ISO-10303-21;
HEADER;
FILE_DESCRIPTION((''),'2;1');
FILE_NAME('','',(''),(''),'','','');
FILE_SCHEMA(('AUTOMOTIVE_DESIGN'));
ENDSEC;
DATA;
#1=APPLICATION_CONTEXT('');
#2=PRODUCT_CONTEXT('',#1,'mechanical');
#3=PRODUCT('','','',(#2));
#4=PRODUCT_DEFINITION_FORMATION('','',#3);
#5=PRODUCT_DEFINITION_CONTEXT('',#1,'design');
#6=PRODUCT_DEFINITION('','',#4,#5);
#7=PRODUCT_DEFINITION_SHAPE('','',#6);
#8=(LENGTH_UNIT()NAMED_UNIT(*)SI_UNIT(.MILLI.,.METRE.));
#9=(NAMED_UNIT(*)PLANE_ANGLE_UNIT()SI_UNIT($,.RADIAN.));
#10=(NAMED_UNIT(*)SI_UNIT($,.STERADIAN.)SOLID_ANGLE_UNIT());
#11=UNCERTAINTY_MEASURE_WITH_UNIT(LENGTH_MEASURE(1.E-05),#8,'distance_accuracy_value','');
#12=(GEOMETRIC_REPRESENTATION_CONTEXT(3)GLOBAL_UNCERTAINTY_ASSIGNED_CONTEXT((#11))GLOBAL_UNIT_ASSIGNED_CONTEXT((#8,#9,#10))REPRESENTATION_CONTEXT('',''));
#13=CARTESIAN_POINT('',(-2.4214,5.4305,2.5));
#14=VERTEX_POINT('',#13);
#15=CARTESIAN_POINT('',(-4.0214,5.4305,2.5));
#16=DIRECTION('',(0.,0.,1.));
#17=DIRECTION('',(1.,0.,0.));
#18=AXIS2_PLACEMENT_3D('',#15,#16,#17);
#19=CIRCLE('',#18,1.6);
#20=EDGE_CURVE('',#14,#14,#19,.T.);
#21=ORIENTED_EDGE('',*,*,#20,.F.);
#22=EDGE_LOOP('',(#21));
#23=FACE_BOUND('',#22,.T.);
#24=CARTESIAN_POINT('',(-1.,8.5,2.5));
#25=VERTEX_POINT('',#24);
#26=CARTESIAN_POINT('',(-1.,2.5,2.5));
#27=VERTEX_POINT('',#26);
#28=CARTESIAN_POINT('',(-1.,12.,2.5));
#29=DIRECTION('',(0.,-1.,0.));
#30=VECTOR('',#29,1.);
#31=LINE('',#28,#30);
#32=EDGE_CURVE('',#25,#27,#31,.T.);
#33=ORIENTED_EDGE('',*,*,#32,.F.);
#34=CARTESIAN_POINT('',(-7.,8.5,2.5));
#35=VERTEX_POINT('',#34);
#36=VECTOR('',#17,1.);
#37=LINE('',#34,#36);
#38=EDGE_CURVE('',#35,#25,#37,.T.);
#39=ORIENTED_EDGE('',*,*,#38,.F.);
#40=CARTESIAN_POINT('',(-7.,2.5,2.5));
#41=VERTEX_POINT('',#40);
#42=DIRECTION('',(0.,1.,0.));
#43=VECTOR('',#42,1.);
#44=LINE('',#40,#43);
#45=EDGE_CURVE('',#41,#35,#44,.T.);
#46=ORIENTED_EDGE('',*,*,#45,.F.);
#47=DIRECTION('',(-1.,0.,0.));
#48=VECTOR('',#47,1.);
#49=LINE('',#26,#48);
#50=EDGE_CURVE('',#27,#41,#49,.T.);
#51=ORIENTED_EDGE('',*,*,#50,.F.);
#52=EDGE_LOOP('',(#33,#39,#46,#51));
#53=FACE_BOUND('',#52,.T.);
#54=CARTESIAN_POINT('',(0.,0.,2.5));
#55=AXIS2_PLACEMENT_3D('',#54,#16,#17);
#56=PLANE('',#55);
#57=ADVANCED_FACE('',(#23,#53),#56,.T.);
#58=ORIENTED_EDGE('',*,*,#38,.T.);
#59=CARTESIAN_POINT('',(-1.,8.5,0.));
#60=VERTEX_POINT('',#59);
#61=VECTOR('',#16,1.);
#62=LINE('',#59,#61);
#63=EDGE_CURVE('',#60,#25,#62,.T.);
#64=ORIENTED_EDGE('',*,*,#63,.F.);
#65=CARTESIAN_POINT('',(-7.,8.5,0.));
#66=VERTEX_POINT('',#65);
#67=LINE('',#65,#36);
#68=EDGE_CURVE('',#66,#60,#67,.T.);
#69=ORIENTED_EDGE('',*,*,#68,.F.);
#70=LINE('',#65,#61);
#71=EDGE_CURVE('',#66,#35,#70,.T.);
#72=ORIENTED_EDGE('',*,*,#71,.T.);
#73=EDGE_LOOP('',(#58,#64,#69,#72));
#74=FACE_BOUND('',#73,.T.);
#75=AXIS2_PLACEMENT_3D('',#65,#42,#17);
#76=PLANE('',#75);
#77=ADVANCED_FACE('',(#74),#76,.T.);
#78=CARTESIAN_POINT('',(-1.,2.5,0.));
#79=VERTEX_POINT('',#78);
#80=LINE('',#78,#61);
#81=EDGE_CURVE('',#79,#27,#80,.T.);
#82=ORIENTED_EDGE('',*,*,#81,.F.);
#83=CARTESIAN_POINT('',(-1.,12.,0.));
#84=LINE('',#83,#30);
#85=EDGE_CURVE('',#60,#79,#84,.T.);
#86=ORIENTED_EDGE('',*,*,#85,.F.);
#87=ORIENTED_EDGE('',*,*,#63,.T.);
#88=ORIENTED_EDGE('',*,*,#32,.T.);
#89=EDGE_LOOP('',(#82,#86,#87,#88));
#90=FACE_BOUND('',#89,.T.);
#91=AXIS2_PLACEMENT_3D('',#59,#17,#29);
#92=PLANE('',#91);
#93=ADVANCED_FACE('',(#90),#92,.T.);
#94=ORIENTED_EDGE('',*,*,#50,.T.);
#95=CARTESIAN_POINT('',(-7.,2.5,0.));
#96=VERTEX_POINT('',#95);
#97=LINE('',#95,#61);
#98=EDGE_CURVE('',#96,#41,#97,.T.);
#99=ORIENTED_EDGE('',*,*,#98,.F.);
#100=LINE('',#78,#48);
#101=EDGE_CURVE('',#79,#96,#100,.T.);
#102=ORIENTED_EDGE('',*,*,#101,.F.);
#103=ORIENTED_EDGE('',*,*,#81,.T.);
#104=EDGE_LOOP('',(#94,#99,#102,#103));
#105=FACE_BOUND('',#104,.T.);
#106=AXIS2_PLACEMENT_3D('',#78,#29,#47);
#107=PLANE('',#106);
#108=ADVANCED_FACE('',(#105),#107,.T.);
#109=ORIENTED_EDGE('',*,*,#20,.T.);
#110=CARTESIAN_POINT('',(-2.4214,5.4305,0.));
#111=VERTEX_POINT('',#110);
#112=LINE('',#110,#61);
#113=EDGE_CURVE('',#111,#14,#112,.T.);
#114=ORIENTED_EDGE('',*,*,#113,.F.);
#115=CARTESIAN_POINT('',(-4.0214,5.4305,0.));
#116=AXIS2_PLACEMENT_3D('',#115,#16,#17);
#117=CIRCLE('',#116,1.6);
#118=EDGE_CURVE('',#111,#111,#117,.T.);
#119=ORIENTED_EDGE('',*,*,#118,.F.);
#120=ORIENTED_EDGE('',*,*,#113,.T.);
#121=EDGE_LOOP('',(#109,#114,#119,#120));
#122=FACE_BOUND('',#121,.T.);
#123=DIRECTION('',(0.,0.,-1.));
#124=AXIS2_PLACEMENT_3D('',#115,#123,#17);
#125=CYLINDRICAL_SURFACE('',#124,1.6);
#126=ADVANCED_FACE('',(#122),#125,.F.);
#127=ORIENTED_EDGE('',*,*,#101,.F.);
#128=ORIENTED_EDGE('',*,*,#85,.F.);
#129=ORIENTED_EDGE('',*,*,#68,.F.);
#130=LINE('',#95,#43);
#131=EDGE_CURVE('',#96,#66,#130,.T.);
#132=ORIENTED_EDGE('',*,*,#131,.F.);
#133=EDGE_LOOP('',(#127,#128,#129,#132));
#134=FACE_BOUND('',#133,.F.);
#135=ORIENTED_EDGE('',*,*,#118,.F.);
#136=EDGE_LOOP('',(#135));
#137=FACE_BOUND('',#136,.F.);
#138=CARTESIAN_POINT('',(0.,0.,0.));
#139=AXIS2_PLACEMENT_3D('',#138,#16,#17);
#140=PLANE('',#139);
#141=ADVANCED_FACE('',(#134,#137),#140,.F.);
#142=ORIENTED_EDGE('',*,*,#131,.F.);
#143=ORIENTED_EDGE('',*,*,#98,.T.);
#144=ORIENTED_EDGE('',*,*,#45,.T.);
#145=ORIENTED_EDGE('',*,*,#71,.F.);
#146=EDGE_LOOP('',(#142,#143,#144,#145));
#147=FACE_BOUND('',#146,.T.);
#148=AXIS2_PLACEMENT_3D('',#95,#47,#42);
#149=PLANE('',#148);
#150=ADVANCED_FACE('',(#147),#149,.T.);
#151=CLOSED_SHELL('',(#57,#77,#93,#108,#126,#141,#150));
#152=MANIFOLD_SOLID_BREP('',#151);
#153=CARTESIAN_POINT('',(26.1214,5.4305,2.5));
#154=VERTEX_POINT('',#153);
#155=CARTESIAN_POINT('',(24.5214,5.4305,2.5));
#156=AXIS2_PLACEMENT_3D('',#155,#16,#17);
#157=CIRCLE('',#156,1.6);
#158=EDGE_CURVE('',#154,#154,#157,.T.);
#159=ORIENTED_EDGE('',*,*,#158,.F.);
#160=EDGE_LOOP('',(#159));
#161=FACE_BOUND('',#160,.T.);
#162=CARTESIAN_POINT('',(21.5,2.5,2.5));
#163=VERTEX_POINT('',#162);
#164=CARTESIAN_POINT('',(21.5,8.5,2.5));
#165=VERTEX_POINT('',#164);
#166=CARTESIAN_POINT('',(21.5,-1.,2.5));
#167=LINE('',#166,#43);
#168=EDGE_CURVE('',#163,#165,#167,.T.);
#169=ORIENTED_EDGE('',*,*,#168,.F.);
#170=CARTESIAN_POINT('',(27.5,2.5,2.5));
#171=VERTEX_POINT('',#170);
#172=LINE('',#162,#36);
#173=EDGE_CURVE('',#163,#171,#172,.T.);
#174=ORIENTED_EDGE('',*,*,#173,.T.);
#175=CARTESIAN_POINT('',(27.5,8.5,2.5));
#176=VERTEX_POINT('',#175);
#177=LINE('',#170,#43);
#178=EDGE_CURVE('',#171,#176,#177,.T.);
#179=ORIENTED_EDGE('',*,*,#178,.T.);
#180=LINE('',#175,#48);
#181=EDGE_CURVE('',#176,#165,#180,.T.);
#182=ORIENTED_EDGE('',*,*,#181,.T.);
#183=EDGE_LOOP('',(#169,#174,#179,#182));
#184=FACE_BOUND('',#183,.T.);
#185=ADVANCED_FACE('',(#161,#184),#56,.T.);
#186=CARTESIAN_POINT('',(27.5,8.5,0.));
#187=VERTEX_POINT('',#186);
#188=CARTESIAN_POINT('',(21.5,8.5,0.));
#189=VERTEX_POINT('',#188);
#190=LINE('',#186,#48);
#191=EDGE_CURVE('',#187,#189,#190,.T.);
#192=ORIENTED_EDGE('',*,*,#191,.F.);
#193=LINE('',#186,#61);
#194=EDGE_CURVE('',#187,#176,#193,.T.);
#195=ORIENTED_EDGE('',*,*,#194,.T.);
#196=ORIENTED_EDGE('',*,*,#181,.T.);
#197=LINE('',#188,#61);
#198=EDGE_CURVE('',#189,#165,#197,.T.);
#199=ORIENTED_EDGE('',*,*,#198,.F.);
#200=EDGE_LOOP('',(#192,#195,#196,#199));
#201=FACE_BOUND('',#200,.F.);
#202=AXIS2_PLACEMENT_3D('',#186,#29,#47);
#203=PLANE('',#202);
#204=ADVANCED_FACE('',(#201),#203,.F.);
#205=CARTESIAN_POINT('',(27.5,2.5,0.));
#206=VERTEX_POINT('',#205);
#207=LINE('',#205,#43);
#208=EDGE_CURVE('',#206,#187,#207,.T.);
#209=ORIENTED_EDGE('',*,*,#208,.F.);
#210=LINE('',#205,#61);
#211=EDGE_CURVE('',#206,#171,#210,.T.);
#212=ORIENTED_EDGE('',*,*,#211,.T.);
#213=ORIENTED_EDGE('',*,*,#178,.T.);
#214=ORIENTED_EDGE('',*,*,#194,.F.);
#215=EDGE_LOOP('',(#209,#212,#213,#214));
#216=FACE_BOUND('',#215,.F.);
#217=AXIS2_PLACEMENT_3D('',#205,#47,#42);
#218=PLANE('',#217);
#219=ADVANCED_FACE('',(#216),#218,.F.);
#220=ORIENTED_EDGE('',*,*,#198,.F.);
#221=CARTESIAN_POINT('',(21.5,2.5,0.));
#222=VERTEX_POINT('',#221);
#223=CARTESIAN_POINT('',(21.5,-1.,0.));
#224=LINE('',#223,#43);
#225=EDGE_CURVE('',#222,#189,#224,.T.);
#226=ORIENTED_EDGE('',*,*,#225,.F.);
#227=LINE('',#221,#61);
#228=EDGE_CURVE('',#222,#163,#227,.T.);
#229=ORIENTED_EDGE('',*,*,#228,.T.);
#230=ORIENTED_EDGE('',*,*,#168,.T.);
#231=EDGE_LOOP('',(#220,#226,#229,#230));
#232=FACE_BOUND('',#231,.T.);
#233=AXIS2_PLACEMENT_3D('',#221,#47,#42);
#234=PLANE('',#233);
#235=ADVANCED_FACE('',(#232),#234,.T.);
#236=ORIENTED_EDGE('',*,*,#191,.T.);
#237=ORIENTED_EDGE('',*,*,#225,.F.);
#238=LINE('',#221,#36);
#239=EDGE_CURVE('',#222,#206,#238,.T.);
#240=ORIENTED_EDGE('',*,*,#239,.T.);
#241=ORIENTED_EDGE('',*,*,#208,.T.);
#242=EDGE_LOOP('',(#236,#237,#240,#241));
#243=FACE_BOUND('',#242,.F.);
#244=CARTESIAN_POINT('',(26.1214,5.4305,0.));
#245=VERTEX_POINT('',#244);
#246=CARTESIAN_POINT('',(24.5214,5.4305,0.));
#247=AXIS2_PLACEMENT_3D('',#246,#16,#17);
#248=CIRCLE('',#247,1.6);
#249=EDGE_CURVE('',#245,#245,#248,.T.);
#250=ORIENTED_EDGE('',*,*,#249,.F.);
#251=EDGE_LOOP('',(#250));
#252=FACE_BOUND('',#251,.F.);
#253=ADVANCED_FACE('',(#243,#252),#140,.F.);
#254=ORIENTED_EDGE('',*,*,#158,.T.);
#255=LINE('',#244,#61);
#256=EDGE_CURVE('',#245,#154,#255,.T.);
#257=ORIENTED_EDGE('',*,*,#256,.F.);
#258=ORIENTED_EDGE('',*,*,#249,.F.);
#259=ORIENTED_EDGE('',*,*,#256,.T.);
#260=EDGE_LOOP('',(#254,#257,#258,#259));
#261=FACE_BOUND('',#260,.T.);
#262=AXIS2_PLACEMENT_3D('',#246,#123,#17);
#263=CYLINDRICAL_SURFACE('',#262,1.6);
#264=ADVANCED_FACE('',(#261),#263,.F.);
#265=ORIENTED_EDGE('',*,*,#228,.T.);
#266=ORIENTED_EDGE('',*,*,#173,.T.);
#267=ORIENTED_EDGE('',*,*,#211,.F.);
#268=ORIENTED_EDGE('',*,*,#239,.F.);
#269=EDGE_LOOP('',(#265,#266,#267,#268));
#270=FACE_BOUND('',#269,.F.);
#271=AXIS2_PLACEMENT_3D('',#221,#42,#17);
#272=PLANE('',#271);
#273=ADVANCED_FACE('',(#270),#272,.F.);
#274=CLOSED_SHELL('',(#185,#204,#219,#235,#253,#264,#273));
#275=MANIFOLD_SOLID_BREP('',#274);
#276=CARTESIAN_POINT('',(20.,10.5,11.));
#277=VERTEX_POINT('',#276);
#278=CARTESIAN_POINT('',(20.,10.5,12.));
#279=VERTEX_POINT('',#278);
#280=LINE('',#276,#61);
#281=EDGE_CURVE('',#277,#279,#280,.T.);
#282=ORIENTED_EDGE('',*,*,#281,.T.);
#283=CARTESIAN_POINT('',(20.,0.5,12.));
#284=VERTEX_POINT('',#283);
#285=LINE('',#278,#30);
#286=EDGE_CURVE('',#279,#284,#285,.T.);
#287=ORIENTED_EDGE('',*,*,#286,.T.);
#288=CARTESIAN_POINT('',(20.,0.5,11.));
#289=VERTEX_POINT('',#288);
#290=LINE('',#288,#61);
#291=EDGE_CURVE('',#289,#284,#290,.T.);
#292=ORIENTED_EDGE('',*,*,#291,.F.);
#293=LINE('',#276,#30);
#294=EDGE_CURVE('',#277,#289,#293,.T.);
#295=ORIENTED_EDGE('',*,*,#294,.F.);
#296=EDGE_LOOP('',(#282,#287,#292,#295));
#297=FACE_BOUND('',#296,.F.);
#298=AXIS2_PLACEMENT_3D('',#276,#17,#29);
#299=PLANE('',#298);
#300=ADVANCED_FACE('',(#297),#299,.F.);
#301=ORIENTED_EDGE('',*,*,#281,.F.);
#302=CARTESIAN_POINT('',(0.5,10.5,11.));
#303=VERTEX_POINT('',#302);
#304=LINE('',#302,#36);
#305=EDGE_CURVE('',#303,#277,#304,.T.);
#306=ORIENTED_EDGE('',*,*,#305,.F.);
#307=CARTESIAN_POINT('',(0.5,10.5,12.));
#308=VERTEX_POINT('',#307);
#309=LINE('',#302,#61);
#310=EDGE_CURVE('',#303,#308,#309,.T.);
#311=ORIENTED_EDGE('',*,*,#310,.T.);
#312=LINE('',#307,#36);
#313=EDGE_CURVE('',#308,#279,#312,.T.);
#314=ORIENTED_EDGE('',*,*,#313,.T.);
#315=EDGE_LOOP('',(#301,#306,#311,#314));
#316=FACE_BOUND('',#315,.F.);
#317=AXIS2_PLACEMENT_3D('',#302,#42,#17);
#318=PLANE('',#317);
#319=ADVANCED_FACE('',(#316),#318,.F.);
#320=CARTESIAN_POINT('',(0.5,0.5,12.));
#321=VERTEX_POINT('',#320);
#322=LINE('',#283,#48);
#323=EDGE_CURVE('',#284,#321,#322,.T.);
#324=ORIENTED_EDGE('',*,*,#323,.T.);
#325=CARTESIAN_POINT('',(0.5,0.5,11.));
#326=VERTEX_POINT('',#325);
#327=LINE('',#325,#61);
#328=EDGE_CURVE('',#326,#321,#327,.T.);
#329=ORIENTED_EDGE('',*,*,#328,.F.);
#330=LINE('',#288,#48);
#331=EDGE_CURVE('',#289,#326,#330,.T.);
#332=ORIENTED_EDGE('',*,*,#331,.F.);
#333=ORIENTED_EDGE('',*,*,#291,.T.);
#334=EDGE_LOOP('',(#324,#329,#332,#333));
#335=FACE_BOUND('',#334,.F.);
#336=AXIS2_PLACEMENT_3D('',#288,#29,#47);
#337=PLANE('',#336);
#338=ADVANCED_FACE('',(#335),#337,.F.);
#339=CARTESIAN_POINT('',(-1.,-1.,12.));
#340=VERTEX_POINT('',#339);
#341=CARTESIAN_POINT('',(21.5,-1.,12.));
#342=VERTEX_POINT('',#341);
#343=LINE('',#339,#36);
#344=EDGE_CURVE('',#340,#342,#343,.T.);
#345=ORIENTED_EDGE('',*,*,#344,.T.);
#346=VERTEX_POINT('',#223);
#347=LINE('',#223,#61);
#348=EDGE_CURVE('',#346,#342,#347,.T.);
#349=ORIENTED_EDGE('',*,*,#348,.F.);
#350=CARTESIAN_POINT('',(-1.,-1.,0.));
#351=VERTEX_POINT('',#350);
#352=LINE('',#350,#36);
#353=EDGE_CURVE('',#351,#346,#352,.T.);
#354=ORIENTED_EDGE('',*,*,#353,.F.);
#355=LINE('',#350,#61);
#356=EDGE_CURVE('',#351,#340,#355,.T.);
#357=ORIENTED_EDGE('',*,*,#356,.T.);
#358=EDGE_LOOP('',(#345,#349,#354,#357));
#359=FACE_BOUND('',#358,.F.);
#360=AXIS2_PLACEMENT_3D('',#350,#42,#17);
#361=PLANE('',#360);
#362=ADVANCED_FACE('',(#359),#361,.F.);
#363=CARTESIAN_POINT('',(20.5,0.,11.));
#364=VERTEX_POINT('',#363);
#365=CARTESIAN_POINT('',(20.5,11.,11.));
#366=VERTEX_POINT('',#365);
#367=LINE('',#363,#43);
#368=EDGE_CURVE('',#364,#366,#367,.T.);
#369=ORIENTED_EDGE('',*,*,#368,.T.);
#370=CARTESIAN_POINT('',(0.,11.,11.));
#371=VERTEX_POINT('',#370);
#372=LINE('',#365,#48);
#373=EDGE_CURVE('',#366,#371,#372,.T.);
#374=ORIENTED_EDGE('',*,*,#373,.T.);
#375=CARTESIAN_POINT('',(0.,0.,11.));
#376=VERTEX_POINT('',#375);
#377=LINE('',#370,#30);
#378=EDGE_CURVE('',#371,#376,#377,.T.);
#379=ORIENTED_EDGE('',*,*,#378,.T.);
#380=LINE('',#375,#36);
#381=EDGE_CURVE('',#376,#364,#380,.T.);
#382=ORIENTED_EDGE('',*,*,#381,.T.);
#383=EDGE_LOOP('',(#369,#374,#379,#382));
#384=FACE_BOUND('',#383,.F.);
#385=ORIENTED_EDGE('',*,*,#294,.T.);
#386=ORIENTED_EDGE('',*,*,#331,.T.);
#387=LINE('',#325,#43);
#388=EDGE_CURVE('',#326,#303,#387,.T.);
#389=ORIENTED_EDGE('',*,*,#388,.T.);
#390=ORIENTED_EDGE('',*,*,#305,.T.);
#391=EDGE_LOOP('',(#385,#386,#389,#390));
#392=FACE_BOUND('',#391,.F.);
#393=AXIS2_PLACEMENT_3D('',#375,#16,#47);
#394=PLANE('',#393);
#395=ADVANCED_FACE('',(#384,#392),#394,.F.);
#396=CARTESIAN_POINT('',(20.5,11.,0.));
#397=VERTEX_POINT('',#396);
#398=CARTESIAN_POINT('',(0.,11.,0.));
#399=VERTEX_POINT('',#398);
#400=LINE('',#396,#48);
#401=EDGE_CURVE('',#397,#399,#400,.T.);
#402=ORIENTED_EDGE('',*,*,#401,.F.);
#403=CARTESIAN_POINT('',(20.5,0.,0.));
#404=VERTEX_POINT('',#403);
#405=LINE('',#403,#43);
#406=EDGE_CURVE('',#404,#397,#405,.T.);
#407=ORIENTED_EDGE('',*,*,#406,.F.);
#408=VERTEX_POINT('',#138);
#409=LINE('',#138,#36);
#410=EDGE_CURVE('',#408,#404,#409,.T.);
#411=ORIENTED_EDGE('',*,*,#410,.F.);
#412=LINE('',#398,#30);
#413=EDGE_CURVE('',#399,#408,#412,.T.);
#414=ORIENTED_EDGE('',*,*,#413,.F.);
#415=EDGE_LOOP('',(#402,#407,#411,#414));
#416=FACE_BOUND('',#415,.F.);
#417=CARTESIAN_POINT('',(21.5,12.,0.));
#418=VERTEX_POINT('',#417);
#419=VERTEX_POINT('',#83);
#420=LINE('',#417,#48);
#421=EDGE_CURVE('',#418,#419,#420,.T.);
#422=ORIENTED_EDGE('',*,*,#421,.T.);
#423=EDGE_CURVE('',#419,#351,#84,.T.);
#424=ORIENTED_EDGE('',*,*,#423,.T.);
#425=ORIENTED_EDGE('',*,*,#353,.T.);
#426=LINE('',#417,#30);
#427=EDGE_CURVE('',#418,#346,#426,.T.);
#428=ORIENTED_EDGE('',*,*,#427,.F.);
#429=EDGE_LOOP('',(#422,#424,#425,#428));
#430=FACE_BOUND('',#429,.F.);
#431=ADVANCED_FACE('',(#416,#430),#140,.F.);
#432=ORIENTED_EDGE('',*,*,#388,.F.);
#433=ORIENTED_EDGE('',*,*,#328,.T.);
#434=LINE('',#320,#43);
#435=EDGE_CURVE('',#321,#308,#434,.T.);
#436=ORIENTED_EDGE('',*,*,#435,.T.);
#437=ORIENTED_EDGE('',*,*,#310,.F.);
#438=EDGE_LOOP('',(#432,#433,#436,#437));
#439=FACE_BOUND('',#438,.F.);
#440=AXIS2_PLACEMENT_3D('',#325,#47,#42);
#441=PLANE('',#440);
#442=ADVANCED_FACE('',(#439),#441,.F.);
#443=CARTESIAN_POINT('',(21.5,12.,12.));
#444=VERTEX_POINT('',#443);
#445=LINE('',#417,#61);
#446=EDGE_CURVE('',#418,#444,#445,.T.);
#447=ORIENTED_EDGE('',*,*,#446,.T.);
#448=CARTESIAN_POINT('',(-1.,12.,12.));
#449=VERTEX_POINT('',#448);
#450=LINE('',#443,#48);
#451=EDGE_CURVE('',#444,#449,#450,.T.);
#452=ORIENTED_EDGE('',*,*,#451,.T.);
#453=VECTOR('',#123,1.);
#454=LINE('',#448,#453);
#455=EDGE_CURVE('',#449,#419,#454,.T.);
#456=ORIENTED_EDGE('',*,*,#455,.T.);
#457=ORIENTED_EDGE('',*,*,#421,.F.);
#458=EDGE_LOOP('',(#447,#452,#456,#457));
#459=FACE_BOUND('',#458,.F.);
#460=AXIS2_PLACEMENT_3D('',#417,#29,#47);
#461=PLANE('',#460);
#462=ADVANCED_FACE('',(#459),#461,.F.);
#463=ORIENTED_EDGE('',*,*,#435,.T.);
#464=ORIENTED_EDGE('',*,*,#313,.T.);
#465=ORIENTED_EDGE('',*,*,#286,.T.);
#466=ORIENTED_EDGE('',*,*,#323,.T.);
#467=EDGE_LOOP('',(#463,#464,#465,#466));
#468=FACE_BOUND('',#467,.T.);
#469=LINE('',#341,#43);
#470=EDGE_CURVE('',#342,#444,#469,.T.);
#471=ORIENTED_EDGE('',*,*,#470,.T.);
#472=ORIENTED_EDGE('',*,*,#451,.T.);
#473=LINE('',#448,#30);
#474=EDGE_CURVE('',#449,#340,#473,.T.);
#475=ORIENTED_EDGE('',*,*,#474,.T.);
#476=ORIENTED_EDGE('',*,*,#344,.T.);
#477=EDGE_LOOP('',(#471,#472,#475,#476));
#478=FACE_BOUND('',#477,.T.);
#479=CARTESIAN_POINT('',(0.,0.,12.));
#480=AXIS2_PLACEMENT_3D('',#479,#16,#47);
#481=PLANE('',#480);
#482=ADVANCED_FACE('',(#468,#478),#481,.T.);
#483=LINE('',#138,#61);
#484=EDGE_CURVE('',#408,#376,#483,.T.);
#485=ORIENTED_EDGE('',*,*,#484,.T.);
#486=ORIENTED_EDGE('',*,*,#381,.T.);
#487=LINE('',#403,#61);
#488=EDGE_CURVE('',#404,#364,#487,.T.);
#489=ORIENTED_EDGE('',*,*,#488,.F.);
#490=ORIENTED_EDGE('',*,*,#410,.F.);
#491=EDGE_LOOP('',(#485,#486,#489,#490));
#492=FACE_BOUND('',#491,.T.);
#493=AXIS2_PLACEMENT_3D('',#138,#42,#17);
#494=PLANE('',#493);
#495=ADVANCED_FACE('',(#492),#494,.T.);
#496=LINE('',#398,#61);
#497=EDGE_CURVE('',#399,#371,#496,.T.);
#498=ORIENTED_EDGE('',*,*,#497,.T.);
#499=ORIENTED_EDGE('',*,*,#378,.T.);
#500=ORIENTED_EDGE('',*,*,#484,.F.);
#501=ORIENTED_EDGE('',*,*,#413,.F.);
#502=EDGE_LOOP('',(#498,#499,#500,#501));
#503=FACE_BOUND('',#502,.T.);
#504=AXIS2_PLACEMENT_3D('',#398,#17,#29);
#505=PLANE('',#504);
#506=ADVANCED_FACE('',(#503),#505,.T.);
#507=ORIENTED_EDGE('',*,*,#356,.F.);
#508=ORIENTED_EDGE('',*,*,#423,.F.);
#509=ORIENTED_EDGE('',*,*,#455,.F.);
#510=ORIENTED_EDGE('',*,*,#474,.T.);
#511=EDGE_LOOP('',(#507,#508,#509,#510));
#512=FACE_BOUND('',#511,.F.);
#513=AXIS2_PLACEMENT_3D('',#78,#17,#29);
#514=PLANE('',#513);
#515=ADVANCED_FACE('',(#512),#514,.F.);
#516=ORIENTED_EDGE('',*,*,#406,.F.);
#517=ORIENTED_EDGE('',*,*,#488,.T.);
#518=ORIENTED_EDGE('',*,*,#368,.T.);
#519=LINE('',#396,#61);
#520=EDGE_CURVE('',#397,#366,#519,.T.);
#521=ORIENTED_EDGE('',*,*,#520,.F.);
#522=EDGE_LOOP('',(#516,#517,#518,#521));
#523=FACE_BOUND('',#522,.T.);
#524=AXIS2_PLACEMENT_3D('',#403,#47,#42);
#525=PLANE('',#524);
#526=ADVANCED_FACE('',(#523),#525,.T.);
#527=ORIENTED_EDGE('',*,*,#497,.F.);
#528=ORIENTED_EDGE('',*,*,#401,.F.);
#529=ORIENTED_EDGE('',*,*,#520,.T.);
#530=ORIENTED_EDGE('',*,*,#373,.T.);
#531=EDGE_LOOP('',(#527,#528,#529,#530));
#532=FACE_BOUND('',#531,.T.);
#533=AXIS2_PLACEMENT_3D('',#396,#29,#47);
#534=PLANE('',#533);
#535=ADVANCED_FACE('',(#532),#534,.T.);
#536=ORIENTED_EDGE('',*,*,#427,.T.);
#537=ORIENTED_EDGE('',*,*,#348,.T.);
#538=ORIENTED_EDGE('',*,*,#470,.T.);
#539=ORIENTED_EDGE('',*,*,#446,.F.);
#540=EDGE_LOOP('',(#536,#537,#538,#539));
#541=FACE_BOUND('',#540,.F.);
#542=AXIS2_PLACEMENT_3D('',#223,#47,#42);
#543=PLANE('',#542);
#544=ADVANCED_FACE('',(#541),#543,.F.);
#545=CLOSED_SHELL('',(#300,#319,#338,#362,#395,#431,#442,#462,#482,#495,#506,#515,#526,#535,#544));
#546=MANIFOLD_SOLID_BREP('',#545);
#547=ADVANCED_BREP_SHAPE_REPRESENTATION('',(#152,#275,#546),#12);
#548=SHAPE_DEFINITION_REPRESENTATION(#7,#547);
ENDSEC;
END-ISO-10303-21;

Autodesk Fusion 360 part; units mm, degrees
sketch "Sketch2" plane through (0, 0, 0) normal (0, 0, 1) x (1, 0, 0)
  line L0 (0, 0) -> (20.5, 0)
  line L1 (20.5, 0) -> (20.5, 11)
  line L2 (20.5, 11) -> (0, 11)
  line L3 (0, 11) -> (0, 0)
  line L4 (-1, -1) -> (21.5, -1)
  line L5 (21.5, -1) -> (21.5, 12)
  line L6 (21.5, 12) -> (-1, 12)
  line L7 (-1, 12) -> (-1, -1)
  line L8 (-1, 5.5) -> (21.5, 5.5) construction
  line L9 (-1, 2.5) -> (-7, 2.5)
  line L10 (-7, 2.5) -> (-7, 8.5)
  line L11 (-7, 8.5) -> (-1, 8.5)
  line L12 (-1, 8.5) -> (-1, 2.5)
  line L13 (10.25, 12) -> (10.25, -1) construction
  circle A0 centre (-4.0214, 5.4305) radius 1.6
  circle A1 centre (24.5214, 5.4305) radius 1.6
  line L14 (27.5, 8.5) -> (21.5, 8.5)
  line L15 (27.5, 2.5) -> (27.5, 8.5)
  line L16 (21.5, 2.5) -> (27.5, 2.5)
  dimension "d1" = 20.5
  dimension "d2" = 11
  dimension "d3" = 1
  dimension "d9" = 3.2
  dimension "d10" = 6
  dimension "d11" = 6
extrude "Extrude3" add sketch "Sketch2" along normal blind 2.5 contours L7 L9 L10 L11 L12 | L5 L14 L15 L16 makes body 1 at (-4.047, 8.0087, 0) makes body 2 at (24.4673, 8.0087, 0)
extrude "Extrude1" add sketch "Sketch2" along normal blind 11 separate body contours L4 L5 L6 L7 L12 makes body 3
sketch "Sketch3" plane through (0, 0, 11) normal (0, 0, 1) x (-1, 0, 0)
  line L0 (0, 0) -> (0, -11)
  line L1 (0, -11) -> (-20.5, -11)
  line L2 (-20.5, -11) -> (-20.5, 0)
  line L3 (-20.5, 0) -> (0, 0)
  line L4 (1, -12) -> (1, 1)
  line L5 (1, 1) -> (-21.5, 1)
  line L6 (-21.5, 1) -> (-21.5, -12)
  line L7 (-21.5, -12) -> (1, -12)
  line L8 (-20, -0.5) -> (-0.5, -0.5)
  line L9 (-0.5, -0.5) -> (-0.5, -10.5)
  line L10 (-0.5, -10.5) -> (-20, -10.5)
  line L11 (-20, -10.5) -> (-20, -0.5)
  dimension "d6" = 0.5
extrude "Extrude2" add sketch "Sketch3" along normal blind 1 contours L0 L1 L2 L3 | L4 L5 L6 L7 bodies 3
